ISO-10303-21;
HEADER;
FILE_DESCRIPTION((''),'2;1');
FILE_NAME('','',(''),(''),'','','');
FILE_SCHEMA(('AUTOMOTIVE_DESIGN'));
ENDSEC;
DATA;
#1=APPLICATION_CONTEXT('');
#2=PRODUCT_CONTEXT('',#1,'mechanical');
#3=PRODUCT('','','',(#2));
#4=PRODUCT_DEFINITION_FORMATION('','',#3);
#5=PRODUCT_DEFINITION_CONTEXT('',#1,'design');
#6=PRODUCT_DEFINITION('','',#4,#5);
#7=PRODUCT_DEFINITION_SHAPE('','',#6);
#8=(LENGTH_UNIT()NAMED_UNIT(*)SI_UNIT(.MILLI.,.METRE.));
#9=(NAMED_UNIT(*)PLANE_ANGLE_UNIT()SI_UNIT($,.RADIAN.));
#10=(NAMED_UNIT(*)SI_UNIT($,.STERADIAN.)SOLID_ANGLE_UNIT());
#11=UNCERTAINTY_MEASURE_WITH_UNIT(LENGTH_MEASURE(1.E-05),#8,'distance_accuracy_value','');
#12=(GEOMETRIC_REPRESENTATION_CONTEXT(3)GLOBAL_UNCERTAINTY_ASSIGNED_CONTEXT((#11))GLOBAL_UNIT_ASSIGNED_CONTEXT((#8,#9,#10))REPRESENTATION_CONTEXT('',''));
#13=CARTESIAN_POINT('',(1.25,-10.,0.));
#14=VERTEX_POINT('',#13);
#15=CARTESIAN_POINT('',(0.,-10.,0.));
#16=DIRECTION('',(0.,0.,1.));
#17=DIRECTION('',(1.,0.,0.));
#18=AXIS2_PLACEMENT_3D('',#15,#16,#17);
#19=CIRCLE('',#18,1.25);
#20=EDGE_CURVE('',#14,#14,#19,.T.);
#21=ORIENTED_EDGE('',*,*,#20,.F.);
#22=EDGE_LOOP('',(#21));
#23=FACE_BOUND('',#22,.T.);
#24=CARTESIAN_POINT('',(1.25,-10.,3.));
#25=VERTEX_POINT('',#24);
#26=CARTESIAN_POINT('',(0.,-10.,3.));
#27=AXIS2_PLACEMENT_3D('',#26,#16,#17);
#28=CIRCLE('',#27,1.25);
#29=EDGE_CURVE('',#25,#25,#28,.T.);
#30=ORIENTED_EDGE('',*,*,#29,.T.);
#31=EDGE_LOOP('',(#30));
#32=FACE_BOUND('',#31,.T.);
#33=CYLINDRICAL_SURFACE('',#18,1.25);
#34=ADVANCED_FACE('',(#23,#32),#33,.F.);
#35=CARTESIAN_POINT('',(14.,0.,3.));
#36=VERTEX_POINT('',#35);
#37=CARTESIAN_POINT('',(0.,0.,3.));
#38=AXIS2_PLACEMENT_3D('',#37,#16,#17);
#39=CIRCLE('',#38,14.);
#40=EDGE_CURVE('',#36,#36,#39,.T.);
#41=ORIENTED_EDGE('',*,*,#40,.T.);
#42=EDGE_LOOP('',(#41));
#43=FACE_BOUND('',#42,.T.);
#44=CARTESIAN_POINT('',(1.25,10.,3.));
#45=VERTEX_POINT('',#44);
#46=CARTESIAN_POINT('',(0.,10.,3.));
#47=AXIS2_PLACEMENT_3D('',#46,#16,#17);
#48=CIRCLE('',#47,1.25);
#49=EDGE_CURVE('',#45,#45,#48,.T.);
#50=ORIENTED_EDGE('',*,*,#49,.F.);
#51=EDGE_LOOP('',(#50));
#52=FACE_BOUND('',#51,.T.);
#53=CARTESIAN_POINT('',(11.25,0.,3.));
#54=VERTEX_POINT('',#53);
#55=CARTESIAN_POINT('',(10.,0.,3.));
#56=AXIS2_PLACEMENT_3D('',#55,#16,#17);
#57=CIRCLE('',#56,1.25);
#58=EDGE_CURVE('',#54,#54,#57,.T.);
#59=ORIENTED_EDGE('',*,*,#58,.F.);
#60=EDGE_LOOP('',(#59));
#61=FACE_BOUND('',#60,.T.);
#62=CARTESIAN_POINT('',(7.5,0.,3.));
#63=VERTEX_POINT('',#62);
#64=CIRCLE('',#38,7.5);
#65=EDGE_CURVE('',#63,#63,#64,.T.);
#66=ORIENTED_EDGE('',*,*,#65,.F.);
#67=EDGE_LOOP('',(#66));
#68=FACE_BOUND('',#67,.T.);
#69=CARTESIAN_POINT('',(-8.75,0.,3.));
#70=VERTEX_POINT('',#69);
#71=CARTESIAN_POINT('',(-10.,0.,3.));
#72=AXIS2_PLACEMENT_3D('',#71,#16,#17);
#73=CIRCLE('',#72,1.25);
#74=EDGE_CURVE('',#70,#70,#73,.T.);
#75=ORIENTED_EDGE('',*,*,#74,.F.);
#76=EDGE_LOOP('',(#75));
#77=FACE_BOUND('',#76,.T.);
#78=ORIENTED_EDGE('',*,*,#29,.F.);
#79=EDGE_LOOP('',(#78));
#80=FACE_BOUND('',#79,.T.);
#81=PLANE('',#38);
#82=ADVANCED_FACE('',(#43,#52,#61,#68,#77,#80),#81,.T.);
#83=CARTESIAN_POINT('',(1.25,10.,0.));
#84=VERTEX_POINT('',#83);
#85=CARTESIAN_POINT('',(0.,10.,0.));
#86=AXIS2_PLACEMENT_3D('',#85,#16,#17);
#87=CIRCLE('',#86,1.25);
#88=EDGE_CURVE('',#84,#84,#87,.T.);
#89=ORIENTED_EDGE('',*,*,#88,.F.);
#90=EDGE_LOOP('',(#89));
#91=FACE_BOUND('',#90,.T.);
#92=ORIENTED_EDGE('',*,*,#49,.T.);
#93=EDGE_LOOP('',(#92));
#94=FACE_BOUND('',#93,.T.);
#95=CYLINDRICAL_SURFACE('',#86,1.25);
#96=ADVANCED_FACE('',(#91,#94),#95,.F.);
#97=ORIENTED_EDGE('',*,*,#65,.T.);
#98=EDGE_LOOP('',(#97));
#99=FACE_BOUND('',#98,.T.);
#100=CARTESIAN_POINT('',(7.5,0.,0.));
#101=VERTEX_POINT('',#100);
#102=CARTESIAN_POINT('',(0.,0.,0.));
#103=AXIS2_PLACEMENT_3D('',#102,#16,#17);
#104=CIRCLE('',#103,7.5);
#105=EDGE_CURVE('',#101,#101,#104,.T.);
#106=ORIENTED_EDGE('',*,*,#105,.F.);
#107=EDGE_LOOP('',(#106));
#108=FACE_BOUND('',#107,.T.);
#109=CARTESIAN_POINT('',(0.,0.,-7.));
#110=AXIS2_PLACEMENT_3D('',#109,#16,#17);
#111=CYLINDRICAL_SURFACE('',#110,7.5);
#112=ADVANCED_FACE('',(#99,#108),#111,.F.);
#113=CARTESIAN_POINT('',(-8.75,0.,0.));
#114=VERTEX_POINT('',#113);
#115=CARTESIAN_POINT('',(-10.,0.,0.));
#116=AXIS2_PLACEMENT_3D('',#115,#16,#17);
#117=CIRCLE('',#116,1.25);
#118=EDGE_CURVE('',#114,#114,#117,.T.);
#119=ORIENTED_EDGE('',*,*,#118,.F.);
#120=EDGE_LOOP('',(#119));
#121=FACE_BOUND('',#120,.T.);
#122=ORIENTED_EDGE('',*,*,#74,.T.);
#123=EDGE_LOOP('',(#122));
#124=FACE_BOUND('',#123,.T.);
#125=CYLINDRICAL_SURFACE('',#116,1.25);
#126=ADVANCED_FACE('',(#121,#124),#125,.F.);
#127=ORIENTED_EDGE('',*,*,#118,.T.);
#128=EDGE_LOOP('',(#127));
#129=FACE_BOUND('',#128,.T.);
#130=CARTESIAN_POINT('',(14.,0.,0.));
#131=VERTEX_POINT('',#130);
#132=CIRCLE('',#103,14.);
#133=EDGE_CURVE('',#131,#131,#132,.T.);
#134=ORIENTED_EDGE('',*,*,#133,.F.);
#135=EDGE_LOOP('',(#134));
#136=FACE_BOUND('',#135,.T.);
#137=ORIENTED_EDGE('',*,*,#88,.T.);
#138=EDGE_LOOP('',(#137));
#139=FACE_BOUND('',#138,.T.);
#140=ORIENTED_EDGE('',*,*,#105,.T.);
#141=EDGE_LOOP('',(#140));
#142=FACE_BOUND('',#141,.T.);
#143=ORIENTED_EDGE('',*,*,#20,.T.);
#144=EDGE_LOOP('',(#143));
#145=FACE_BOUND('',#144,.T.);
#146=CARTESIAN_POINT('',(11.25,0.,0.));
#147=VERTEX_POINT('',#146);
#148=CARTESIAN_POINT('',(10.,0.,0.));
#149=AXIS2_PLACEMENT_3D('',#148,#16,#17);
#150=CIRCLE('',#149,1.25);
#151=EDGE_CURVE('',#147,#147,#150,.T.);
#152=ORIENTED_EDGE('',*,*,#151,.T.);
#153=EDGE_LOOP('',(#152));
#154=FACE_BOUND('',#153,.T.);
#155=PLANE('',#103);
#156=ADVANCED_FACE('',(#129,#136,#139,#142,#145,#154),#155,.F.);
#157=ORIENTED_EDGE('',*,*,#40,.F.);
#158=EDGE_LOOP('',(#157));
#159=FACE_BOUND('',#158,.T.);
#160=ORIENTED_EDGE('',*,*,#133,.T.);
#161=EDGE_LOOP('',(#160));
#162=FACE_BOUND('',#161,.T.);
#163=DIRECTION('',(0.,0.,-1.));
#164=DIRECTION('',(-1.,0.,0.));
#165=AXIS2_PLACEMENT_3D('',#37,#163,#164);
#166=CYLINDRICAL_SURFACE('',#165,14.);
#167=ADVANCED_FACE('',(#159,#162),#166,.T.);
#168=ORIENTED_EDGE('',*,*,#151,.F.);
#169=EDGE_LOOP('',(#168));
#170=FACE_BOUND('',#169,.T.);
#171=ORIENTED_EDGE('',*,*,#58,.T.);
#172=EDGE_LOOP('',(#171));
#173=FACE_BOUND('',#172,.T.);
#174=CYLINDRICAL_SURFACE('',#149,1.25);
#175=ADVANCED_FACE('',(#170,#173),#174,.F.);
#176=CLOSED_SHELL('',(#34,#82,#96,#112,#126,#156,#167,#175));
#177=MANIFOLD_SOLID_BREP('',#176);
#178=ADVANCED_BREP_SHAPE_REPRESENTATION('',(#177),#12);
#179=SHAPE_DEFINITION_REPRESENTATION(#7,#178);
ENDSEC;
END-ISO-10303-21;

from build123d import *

# Parameters (mm, degrees)
SKETCH_1_R          = 14
EXTRUDE_1_DEPTH     = 3
SKETCH_3_R          = 1.25
CUT_EXTRUDE_1_DEPTH = 3
SKETCH_7_R          = 7.5
CUT_EXTRUDE_2_DEPTH = 10


with BuildPart() as part:
    # 草图1 → 凸台-拉伸1 (new body)
    with BuildSketch(Plane.XY):
        Circle(SKETCH_1_R)
    extrude(amount=EXTRUDE_1_DEPTH)

    # 草图3 → 切除-拉伸1 (cut)
    with BuildSketch(Plane.XY.offset(3)):
        with Locations((10, 0)):
            Circle(SKETCH_3_R)
        with Locations((0, 10)):
            Circle(SKETCH_3_R)
        with Locations((-10, 0)):
            Circle(SKETCH_3_R)
        with Locations((0, -10)):
            Circle(SKETCH_3_R)
    extrude(amount=-CUT_EXTRUDE_1_DEPTH, mode=Mode.SUBTRACT)

    # 草图7 → 切除-拉伸2 (cut)
    with BuildSketch(Plane.XY.offset(3)):
        Circle(SKETCH_7_R)
    extrude(amount=-CUT_EXTRUDE_2_DEPTH, mode=Mode.SUBTRACT)


solid = part.part
